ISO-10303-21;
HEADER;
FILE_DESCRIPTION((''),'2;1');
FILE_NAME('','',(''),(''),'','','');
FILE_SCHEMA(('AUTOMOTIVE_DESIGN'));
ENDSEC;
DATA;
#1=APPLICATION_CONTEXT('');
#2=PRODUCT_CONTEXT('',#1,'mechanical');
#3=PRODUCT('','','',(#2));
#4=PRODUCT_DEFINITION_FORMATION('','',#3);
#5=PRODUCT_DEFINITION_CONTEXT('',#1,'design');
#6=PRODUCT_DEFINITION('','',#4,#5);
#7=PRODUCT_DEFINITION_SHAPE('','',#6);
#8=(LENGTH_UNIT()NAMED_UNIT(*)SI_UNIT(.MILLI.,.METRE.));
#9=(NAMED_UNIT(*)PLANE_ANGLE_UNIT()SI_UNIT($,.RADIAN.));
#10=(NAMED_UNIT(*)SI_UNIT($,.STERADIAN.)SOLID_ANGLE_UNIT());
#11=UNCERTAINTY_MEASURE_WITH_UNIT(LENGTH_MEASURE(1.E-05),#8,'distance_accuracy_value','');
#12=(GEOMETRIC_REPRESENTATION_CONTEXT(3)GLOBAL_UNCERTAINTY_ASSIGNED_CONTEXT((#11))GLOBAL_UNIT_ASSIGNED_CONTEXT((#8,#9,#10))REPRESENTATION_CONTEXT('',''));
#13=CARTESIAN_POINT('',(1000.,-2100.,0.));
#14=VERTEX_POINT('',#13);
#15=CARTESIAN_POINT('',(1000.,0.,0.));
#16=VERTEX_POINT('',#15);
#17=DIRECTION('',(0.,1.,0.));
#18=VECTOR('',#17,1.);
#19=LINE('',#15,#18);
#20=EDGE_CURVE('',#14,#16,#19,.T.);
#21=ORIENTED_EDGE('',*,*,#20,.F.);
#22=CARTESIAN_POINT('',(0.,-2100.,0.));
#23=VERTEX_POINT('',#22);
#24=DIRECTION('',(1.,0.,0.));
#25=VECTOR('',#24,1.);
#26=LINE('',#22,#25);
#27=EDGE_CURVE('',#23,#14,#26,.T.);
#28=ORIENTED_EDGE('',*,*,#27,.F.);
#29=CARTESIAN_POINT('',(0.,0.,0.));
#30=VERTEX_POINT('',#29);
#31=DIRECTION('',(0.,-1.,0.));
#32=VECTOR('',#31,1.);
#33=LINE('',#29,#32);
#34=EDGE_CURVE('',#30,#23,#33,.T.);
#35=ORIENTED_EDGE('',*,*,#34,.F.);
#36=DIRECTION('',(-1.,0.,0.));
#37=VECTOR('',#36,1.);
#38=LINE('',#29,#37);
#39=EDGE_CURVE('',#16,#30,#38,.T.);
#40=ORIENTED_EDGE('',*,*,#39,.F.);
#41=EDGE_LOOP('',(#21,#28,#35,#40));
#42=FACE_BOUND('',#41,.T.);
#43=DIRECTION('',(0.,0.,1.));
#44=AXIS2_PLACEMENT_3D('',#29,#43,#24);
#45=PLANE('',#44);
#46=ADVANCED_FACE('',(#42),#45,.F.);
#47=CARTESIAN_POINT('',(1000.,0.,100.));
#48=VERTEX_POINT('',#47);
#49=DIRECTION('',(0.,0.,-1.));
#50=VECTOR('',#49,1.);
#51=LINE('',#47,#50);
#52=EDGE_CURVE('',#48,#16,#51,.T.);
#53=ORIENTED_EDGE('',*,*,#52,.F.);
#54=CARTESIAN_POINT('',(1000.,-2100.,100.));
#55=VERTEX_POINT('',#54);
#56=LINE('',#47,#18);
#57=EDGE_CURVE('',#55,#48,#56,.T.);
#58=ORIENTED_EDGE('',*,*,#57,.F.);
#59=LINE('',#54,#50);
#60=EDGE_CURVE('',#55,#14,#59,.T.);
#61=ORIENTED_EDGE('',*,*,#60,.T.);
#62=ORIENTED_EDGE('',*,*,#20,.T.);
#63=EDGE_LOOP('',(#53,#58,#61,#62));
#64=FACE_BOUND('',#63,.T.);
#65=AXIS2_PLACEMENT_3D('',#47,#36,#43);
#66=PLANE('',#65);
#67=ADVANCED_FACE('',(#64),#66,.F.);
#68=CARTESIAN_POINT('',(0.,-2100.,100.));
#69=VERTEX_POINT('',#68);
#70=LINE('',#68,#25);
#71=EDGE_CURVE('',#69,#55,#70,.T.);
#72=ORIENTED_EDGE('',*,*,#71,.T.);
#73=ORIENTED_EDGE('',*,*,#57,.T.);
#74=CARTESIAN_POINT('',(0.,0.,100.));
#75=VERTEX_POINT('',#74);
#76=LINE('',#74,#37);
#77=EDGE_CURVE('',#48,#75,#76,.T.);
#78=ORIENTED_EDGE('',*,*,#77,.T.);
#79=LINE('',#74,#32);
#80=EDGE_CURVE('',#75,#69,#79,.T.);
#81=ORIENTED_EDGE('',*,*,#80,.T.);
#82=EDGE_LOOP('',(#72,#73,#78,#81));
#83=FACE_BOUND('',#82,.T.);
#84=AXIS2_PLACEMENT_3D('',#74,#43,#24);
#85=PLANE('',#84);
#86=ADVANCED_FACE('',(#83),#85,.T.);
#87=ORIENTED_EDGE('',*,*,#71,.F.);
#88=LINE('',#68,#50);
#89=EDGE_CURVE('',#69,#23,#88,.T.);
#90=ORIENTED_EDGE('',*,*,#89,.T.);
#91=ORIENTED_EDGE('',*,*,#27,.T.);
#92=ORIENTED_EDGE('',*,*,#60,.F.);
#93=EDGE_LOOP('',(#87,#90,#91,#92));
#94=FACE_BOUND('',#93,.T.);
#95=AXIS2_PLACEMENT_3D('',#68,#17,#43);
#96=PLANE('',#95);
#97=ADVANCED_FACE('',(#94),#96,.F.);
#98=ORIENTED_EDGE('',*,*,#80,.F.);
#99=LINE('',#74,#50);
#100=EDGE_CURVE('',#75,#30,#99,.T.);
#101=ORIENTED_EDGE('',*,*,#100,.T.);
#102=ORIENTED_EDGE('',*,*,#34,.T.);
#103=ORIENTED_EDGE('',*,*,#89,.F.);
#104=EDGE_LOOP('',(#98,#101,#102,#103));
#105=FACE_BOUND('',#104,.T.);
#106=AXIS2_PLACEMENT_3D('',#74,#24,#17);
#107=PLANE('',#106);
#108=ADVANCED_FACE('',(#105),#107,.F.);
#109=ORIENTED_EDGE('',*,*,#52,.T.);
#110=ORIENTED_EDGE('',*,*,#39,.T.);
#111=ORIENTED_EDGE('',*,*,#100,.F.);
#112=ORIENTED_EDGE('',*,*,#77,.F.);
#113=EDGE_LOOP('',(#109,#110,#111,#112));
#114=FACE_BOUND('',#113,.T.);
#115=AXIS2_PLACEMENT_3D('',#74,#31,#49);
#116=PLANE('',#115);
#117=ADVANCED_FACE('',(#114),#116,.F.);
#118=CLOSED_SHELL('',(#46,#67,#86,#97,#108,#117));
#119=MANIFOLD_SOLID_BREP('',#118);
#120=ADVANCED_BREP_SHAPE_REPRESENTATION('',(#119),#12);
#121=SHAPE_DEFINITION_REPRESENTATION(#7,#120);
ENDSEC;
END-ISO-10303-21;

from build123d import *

# Parameters (mm, degrees)
CROQUIS1_W              = 1000
CROQUIS1_H              = 2100
SALIENTE_EXTRUIR1_DEPTH = 100


with BuildPart() as part:
    # Croquis1 → Saliente-Extruir1 (new body)
    with BuildSketch(Plane.XY):
        with Locations((500, -1050)):
            Rectangle(CROQUIS1_W, CROQUIS1_H)
    extrude(amount=SALIENTE_EXTRUIR1_DEPTH)


solid = part.part
